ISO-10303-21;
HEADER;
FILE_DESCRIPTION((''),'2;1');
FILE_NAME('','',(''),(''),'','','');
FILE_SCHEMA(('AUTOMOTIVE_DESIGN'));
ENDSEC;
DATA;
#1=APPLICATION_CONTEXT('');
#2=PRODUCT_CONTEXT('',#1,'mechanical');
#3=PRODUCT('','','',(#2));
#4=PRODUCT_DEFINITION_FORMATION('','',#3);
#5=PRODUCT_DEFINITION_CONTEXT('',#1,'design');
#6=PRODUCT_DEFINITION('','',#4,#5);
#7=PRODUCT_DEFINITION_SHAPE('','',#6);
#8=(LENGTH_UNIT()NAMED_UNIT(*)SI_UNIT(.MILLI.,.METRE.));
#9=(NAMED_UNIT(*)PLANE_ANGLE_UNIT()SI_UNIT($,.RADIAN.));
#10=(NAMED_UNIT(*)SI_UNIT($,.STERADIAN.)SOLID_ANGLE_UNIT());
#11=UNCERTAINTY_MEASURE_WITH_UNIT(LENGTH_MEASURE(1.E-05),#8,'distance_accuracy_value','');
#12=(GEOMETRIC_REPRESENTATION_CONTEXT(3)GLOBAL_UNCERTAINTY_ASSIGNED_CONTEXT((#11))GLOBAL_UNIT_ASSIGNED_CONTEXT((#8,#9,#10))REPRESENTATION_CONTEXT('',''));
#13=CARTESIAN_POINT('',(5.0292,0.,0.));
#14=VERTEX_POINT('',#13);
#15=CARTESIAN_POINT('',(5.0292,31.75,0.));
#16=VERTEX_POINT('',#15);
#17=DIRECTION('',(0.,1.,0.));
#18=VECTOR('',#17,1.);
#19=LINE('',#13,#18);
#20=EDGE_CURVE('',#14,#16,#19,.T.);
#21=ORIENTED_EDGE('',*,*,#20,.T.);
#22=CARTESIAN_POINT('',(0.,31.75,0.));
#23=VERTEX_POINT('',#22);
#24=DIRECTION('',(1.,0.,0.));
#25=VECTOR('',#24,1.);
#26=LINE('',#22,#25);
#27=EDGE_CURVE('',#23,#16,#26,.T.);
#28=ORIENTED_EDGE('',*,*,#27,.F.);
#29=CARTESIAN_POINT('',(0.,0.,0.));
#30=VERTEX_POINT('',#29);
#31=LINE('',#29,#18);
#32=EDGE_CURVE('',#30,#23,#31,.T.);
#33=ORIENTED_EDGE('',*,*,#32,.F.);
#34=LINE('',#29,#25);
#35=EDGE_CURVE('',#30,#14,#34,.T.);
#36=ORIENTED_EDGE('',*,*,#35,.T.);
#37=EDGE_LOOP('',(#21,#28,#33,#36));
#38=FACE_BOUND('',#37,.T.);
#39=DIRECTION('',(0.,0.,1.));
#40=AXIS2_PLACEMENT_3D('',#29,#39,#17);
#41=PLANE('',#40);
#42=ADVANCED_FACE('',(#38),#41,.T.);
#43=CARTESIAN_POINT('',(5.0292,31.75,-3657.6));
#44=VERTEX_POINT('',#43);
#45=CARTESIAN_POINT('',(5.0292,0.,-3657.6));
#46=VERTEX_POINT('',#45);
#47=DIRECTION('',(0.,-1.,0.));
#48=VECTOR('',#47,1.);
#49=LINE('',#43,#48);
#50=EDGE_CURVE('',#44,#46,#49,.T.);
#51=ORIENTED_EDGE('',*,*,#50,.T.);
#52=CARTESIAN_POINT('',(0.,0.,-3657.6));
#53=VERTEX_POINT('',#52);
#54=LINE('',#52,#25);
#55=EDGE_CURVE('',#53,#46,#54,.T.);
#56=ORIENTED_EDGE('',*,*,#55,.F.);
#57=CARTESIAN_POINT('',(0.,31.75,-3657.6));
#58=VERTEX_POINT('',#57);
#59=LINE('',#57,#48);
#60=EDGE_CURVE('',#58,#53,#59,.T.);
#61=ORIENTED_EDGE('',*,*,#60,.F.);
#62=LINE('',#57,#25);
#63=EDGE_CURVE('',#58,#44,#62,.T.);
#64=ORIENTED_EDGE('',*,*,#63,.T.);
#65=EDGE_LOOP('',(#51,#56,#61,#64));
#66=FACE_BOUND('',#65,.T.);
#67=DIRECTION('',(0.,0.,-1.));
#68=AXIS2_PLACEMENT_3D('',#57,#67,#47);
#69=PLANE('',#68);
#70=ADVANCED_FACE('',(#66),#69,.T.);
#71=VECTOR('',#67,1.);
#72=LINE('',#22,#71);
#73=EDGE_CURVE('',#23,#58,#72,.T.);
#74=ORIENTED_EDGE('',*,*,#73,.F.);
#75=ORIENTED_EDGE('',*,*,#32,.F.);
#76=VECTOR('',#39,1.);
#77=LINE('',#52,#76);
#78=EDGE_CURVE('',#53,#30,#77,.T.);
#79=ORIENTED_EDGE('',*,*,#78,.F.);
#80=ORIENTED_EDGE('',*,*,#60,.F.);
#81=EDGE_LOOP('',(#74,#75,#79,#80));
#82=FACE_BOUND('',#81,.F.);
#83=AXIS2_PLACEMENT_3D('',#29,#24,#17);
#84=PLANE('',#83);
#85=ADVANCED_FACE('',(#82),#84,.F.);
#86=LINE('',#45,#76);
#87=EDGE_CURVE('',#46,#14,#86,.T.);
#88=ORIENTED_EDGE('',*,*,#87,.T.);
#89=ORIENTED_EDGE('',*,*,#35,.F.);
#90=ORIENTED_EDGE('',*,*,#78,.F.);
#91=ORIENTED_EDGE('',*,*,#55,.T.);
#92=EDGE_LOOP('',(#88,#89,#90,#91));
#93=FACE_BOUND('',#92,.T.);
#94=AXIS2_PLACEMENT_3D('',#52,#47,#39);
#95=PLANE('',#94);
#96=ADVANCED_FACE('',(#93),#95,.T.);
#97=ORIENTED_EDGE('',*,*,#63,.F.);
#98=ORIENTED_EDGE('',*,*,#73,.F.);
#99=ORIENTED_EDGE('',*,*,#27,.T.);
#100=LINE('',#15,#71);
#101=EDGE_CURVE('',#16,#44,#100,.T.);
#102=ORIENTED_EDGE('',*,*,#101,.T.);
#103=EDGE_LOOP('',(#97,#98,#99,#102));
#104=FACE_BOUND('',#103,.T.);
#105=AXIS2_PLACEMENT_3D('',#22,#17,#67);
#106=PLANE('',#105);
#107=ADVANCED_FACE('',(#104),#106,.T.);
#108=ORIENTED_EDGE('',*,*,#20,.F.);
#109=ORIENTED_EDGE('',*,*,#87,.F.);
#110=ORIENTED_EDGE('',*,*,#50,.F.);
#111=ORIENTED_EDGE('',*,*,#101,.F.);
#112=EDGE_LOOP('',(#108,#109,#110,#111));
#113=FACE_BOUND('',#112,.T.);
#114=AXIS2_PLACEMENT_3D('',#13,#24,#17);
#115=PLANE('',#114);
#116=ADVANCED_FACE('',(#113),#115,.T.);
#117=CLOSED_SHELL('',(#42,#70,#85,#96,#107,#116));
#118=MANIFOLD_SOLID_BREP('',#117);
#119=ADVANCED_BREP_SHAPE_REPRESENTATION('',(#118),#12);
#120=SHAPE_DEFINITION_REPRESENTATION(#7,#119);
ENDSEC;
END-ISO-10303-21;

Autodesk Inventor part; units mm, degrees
ref_plane "YZ Plane" through (0, 0, 0) normal (1, 0, 0) x (0, 1, 0)
ref_plane "XZ Plane" through (0, 0, 0) normal (0, 1, 0) x (-1, 0, 0)
ref_plane "XY Plane" through (0, 0, 0) normal (0, 0, 1) x (1, 0, 0)
sketch "Sketch1" plane through (0, 0, 0) normal (1, 0, 0) x (0, 1, 0)
  line L0 (0, 0) -> (31.75, 0)
  line L1 (31.75, 0) -> (31.75, -3657.6)
  line L2 (31.75, -3657.6) -> (0, -3657.6)
  line L3 (0, -3657.6) -> (0, 0)
  dimension "d4" = 31.75
  dimension "d5" = 3657.6
extrude "Extrusion1" add sketch "Sketch1" along normal blind 5.0292
properties part number "Ender_Strip"
